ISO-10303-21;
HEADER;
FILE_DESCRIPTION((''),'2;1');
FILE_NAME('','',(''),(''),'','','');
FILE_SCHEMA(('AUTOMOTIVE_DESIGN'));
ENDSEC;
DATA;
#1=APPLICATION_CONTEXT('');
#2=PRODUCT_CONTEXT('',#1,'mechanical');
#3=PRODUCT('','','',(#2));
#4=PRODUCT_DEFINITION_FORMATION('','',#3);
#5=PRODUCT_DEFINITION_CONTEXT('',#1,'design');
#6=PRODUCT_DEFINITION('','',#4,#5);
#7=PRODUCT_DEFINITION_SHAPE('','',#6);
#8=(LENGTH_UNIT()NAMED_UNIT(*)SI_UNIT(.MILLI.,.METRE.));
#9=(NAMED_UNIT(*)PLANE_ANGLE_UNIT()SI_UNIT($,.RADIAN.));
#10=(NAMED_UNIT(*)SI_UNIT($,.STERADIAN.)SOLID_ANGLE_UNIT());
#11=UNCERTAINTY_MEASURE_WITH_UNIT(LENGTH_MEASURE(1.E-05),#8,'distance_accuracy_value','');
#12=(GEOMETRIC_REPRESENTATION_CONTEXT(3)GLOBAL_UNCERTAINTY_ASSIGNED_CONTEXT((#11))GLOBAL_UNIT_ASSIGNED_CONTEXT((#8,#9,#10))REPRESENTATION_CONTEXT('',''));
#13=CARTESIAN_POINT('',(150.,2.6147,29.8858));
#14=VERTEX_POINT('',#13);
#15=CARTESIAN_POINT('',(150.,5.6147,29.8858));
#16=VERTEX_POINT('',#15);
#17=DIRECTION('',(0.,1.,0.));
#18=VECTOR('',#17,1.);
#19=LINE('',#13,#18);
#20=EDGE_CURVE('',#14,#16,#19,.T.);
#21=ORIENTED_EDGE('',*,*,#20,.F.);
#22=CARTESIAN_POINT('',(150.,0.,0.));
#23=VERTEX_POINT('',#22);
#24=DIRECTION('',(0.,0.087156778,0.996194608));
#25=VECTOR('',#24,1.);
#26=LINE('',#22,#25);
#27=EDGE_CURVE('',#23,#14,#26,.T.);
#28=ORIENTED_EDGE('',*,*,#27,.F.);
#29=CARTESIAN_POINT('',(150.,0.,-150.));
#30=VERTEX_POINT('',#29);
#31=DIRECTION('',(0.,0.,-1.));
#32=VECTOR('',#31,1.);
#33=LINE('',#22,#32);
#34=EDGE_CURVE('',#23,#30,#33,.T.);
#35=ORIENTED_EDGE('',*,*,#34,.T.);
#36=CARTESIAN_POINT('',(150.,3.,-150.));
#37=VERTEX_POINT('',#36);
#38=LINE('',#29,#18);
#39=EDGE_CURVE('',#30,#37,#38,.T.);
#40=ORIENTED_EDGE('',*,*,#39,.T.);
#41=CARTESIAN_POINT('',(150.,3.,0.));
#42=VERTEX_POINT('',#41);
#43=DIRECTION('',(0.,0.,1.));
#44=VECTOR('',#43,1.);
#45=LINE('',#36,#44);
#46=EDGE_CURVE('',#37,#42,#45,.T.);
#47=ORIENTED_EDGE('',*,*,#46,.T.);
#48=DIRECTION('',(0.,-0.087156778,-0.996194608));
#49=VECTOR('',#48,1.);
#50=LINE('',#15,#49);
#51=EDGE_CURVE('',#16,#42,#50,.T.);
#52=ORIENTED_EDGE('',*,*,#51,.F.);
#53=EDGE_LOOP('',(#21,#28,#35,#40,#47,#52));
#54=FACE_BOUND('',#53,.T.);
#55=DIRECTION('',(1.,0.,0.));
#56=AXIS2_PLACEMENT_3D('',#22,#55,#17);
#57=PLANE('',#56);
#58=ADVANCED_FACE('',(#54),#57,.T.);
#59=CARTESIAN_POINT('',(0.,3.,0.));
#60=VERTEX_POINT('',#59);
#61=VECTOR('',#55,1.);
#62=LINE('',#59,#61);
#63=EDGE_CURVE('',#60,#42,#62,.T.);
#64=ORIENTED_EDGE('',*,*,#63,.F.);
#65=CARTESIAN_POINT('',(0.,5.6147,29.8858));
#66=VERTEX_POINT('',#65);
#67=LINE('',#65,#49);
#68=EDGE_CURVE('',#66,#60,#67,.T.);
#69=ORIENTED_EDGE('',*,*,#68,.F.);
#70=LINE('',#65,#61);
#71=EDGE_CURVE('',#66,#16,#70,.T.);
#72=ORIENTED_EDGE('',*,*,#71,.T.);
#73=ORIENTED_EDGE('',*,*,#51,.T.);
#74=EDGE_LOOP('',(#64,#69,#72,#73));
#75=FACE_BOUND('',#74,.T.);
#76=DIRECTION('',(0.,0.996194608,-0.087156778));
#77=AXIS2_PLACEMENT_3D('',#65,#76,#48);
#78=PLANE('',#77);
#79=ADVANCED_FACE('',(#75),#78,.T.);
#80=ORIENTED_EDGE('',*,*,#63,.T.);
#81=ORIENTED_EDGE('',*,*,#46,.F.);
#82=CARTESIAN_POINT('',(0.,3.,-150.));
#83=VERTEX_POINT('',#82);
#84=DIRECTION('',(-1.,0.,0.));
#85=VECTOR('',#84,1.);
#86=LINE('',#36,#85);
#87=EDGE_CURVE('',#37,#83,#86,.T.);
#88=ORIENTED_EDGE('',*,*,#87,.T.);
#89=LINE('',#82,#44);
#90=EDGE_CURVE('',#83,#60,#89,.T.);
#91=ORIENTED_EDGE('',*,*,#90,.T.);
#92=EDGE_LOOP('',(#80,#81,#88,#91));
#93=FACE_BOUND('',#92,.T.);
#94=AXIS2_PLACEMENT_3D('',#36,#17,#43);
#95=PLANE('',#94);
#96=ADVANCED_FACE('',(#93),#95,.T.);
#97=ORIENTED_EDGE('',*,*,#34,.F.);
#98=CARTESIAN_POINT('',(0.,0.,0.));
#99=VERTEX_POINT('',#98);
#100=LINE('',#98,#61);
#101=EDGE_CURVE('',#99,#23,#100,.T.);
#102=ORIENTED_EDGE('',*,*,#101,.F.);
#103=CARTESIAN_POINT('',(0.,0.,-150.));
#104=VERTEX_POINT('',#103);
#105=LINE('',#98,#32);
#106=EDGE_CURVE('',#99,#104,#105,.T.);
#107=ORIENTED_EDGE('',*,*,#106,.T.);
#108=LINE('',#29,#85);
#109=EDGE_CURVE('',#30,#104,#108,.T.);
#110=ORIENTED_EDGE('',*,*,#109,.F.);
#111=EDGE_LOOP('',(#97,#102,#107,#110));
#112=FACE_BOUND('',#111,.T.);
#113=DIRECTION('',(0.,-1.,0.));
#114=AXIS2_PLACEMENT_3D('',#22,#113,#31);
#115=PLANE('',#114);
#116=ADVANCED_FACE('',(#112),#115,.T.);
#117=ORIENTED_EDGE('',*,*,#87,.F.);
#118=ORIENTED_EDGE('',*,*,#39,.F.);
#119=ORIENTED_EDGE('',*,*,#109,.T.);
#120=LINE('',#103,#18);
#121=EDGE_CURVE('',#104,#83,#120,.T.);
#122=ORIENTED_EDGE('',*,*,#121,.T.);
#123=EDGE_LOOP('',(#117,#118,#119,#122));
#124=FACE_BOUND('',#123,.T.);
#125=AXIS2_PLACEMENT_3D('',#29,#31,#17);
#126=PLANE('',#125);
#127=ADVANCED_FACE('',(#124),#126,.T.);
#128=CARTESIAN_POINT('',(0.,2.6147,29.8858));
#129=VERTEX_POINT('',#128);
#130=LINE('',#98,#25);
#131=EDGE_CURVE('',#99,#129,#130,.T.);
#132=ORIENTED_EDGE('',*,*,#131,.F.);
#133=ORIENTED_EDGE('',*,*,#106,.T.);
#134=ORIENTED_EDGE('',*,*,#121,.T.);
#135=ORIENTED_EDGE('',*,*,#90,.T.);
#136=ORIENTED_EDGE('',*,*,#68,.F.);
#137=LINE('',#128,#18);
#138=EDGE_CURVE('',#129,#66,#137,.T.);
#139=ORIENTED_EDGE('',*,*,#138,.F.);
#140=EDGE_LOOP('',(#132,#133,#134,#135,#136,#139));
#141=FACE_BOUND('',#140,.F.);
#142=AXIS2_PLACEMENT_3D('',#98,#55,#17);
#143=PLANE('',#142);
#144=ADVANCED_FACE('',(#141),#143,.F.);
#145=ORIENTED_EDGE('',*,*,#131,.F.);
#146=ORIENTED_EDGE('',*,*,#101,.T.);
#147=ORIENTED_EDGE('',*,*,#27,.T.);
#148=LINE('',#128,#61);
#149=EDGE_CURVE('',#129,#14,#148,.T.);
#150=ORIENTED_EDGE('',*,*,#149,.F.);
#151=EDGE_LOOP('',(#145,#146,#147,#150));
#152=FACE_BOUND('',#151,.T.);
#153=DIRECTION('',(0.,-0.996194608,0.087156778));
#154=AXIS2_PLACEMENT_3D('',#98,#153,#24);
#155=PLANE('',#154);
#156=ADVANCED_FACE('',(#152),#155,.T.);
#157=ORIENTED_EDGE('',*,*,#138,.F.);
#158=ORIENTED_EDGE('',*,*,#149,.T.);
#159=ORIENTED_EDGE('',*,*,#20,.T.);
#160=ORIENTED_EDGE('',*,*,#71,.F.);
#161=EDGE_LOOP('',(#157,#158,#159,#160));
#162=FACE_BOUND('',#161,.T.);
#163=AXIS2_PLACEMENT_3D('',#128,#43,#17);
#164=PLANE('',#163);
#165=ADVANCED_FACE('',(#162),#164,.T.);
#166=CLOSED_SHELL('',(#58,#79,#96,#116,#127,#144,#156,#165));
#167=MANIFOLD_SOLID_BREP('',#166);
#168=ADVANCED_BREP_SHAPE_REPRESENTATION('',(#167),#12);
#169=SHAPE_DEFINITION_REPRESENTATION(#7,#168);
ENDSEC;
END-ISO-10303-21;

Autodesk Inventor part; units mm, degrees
ref_plane "YZ Plane" through (0, 0, 0) normal (1, 0, 0) x (0, 1, 0)
ref_plane "XZ Plane" through (0, 0, 0) normal (0, 1, 0) x (-1, 0, 0)
ref_plane "XY Plane" through (0, 0, 0) normal (0, 0, 1) x (1, 0, 0)
sketch "スケッチ1" plane through (0, 0, 0) normal (1, 0, 0) x (0, 1, 0)
  line L0 (0, 0) -> (2.6147, 29.8858)
  line L1 (0, 0) -> (30, 0) construction
  line L2 (2.6147, 29.8858) -> (5.6147, 29.8858)
  line L3 (5.6147, 29.8858) -> (3, 0)
  line L4 (3, 0) -> (0, 0)
  dimension "d0" = 30
  dimension "d1" = 85
  dimension "d2" = 3
  dimension "d3" = 95
  dimension "d4" = 30
  dimension "d5" = 85
sketch "スケッチ2" plane through (0, 0, 0) normal (1, 0, 0) x (0, 1, 0)
  point P0 (0, 0)
extrude "押し出し1" add sketch "スケッチ1" along normal blind 150
sketch "スケッチ3" plane through (150, 0, 0) normal (1, 0, 0) x (0, 0, -1)
  line L0 (0, 0) -> (150, 0)
  line L1 (150, 0) -> (150, 3)
  line L2 (150, 3) -> (0, 3)
  line L3 (0, 3) -> (0, 0)
  dimension "d8" = 150
  dimension "d9" = 3
extrude "押し出し2" add sketch "スケッチ3" against normal blind 150
properties part number "NHK_t0_15"
